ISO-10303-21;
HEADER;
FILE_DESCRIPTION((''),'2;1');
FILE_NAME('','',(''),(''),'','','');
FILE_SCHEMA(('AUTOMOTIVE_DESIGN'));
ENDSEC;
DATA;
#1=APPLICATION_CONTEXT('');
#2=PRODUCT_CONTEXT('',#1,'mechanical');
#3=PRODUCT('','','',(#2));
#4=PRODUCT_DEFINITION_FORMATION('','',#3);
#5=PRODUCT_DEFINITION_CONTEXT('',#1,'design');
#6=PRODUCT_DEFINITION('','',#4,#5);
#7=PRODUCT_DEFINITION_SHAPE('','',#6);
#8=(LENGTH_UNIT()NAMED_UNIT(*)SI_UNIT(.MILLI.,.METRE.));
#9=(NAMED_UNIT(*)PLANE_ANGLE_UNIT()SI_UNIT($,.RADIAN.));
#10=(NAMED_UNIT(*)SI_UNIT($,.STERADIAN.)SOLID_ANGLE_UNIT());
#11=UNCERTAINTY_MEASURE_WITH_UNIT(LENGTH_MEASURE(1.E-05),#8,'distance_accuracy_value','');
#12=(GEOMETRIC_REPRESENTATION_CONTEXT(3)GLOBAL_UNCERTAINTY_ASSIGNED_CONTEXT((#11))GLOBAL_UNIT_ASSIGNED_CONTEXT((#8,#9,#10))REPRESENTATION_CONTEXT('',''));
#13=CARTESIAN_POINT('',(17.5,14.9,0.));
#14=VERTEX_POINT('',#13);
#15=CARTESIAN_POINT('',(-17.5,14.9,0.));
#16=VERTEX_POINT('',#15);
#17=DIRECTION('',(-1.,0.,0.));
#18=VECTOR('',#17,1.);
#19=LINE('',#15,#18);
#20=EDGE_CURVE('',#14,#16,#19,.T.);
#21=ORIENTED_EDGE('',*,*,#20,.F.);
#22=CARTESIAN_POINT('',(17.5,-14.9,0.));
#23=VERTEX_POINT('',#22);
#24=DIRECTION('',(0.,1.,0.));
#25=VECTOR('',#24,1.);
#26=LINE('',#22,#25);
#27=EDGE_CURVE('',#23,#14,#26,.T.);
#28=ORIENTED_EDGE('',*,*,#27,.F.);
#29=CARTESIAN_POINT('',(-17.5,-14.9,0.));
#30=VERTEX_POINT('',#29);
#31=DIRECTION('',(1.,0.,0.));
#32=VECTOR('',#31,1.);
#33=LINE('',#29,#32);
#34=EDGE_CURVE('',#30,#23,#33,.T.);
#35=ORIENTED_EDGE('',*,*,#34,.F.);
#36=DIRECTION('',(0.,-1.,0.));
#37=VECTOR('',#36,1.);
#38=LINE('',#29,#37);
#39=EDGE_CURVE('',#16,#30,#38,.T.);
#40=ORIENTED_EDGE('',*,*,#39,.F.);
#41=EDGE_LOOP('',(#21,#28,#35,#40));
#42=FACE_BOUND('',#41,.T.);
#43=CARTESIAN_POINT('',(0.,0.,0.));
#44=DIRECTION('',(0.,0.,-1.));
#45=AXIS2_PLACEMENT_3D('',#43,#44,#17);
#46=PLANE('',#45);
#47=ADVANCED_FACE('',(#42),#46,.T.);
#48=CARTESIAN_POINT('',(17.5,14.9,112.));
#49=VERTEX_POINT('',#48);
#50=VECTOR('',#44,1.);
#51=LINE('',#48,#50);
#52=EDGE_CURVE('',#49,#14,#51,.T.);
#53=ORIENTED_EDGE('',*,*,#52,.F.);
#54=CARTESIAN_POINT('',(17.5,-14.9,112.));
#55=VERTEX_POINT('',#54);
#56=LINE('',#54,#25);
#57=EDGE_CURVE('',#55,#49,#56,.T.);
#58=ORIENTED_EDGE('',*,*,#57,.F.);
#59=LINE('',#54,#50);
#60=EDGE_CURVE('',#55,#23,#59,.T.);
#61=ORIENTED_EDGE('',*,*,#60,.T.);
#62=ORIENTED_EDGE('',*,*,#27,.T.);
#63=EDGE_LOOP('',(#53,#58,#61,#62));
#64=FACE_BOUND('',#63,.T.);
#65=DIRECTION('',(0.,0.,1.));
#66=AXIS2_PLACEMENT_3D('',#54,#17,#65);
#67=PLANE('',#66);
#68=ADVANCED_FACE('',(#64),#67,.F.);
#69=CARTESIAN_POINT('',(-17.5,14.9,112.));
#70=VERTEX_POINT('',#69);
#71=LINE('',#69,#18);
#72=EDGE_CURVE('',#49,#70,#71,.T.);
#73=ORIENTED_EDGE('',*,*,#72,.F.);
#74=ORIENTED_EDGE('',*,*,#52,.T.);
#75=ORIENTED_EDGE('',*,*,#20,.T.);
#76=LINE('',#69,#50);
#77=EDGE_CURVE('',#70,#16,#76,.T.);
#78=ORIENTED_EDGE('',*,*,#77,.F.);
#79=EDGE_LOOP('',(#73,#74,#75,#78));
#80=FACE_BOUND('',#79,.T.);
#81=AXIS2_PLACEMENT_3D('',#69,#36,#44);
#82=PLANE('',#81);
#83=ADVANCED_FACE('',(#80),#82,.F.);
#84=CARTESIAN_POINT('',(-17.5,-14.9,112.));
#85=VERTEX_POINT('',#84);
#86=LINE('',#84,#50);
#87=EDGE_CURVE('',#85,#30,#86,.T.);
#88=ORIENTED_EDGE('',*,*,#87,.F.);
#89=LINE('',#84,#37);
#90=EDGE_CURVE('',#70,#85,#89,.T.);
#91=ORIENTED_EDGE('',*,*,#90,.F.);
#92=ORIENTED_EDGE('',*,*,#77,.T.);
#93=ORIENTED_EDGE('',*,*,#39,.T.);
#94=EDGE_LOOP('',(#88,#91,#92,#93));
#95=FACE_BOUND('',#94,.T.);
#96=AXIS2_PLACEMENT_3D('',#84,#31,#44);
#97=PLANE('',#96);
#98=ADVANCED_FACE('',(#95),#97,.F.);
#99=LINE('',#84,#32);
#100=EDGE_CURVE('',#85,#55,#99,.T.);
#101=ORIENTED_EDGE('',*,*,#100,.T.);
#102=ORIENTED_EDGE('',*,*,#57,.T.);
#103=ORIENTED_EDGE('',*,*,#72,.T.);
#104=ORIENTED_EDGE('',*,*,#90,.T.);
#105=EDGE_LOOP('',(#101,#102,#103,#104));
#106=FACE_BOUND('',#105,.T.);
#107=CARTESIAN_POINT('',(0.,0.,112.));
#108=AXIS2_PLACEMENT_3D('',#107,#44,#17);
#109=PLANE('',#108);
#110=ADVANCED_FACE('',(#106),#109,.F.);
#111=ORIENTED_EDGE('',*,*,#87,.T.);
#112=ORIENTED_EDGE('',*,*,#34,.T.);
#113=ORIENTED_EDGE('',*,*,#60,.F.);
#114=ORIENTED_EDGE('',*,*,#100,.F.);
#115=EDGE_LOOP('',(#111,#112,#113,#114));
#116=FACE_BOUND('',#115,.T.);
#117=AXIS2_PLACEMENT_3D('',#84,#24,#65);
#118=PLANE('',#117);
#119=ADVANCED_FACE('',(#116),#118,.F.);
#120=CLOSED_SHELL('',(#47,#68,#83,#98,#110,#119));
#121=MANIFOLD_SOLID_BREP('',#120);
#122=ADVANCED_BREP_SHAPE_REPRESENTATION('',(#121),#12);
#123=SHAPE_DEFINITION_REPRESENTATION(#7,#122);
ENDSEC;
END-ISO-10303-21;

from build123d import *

# Parameters (mm, degrees)
SKETCH1_W           = 35
SKETCH1_H           = 29.8
BOSS_EXTRUDE1_DEPTH = 112


with BuildPart() as part:
    # Sketch1 → Boss-Extrude1 (new body)
    with BuildSketch(Plane.XY):
        Rectangle(SKETCH1_W, SKETCH1_H)
    extrude(amount=BOSS_EXTRUDE1_DEPTH)


solid = part.part
